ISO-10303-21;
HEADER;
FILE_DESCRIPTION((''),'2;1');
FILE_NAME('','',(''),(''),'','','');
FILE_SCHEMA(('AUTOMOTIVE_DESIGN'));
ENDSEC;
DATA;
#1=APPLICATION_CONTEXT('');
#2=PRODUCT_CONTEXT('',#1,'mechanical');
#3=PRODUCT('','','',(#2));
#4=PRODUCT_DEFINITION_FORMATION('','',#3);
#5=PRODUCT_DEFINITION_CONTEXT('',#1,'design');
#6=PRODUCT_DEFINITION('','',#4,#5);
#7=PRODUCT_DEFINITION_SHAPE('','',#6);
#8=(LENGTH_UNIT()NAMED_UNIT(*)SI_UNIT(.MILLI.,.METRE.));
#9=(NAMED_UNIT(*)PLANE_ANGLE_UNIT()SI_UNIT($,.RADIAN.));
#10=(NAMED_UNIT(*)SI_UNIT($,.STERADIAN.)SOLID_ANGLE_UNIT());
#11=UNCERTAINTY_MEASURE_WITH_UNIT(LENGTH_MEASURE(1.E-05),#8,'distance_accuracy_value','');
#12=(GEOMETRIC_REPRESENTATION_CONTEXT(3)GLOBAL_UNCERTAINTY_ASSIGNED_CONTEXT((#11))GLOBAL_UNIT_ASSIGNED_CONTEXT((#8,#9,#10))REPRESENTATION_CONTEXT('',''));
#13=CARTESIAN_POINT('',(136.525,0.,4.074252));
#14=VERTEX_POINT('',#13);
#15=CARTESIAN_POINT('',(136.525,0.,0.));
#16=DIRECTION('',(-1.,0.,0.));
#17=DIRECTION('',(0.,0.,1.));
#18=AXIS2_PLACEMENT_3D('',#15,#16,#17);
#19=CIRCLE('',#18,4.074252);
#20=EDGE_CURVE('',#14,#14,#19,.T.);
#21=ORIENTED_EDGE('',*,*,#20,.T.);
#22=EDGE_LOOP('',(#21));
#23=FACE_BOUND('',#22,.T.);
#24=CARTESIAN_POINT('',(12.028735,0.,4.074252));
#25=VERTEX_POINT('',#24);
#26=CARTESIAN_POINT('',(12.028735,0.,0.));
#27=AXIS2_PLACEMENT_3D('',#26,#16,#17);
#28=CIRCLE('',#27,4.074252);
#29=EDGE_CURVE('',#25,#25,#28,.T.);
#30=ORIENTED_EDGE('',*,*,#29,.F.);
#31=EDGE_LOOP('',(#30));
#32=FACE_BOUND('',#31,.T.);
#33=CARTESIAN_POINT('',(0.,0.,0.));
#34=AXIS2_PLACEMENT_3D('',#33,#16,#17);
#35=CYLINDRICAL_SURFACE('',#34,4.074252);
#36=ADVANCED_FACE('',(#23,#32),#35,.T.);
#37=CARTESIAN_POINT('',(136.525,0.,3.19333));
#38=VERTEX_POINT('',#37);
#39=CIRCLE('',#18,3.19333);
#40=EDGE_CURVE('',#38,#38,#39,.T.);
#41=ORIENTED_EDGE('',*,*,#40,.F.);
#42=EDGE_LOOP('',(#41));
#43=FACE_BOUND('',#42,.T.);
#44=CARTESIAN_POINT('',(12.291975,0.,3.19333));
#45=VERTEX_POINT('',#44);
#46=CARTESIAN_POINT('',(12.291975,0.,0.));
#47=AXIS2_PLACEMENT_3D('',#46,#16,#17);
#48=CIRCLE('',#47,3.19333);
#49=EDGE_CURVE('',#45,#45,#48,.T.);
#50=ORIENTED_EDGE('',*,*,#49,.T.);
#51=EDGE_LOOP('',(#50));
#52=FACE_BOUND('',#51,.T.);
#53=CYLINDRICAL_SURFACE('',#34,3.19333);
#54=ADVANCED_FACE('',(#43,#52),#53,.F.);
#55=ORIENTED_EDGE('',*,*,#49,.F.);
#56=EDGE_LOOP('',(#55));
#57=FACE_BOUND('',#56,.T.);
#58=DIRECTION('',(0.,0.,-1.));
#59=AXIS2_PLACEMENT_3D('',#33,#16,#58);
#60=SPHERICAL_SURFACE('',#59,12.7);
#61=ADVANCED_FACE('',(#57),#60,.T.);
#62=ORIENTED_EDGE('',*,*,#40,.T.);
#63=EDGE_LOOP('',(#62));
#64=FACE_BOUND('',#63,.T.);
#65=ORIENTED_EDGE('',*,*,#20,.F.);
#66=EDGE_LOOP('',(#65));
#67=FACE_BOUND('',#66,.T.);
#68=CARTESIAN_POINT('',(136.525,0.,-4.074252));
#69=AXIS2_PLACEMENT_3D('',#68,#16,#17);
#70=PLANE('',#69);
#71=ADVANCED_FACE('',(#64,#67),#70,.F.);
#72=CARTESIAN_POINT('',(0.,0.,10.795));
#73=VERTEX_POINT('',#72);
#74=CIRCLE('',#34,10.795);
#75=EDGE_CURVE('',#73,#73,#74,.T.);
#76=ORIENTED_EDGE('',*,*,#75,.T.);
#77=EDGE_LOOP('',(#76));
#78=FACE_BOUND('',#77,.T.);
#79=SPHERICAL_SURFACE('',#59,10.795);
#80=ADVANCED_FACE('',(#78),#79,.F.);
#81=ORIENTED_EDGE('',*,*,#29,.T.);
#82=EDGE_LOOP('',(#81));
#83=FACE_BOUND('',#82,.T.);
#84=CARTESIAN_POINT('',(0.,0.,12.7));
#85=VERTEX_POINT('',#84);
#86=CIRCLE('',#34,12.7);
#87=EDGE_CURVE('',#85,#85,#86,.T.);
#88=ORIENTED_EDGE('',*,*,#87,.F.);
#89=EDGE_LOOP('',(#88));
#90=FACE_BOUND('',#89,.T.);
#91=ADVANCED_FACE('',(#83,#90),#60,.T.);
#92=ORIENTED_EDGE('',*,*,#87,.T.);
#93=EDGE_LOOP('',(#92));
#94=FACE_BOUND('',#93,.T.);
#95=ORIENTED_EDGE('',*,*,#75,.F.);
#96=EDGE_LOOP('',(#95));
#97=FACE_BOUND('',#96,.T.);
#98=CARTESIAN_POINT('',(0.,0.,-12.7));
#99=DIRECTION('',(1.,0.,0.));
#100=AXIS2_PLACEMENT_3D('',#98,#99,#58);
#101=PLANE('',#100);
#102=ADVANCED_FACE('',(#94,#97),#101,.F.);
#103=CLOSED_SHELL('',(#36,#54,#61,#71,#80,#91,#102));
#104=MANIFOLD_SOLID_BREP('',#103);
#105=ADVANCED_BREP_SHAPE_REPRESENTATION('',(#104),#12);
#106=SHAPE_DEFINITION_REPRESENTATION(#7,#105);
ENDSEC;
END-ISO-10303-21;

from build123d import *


with BuildPart() as part:
    # Sketch1 → Revolve1 (revolve)
    with BuildSketch(Plane(origin=(0, 0, 0), x_dir=(1, 0, 0), z_dir=(0, 1, 0))):
        with BuildLine():
            Line((0, 12.7), (0, 10.795))
            ThreePointArc((0, 10.795), (7.633217703, 7.633217703), (10.795, 0))
            Line((10.795, 0), (12.7, 0))
            ThreePointArc((12.7, 0), (12.597580707, 1.609646024), (12.291974752, 3.193330031))
            Line((12.291974752, 3.193330031), (136.525, 3.193330031))
            Line((136.525, 3.193330031), (136.525, 4.074251535))
            Line((136.525, 4.074251535), (12.028735363, 4.074251535))
            ThreePointArc((12.028735363, 4.074251535), (7.400912292, 10.320682983), (0, 12.7))
        make_face()
    revolve(axis=Axis((0, 0, 0), (1, 0, 0)))


solid = part.part
